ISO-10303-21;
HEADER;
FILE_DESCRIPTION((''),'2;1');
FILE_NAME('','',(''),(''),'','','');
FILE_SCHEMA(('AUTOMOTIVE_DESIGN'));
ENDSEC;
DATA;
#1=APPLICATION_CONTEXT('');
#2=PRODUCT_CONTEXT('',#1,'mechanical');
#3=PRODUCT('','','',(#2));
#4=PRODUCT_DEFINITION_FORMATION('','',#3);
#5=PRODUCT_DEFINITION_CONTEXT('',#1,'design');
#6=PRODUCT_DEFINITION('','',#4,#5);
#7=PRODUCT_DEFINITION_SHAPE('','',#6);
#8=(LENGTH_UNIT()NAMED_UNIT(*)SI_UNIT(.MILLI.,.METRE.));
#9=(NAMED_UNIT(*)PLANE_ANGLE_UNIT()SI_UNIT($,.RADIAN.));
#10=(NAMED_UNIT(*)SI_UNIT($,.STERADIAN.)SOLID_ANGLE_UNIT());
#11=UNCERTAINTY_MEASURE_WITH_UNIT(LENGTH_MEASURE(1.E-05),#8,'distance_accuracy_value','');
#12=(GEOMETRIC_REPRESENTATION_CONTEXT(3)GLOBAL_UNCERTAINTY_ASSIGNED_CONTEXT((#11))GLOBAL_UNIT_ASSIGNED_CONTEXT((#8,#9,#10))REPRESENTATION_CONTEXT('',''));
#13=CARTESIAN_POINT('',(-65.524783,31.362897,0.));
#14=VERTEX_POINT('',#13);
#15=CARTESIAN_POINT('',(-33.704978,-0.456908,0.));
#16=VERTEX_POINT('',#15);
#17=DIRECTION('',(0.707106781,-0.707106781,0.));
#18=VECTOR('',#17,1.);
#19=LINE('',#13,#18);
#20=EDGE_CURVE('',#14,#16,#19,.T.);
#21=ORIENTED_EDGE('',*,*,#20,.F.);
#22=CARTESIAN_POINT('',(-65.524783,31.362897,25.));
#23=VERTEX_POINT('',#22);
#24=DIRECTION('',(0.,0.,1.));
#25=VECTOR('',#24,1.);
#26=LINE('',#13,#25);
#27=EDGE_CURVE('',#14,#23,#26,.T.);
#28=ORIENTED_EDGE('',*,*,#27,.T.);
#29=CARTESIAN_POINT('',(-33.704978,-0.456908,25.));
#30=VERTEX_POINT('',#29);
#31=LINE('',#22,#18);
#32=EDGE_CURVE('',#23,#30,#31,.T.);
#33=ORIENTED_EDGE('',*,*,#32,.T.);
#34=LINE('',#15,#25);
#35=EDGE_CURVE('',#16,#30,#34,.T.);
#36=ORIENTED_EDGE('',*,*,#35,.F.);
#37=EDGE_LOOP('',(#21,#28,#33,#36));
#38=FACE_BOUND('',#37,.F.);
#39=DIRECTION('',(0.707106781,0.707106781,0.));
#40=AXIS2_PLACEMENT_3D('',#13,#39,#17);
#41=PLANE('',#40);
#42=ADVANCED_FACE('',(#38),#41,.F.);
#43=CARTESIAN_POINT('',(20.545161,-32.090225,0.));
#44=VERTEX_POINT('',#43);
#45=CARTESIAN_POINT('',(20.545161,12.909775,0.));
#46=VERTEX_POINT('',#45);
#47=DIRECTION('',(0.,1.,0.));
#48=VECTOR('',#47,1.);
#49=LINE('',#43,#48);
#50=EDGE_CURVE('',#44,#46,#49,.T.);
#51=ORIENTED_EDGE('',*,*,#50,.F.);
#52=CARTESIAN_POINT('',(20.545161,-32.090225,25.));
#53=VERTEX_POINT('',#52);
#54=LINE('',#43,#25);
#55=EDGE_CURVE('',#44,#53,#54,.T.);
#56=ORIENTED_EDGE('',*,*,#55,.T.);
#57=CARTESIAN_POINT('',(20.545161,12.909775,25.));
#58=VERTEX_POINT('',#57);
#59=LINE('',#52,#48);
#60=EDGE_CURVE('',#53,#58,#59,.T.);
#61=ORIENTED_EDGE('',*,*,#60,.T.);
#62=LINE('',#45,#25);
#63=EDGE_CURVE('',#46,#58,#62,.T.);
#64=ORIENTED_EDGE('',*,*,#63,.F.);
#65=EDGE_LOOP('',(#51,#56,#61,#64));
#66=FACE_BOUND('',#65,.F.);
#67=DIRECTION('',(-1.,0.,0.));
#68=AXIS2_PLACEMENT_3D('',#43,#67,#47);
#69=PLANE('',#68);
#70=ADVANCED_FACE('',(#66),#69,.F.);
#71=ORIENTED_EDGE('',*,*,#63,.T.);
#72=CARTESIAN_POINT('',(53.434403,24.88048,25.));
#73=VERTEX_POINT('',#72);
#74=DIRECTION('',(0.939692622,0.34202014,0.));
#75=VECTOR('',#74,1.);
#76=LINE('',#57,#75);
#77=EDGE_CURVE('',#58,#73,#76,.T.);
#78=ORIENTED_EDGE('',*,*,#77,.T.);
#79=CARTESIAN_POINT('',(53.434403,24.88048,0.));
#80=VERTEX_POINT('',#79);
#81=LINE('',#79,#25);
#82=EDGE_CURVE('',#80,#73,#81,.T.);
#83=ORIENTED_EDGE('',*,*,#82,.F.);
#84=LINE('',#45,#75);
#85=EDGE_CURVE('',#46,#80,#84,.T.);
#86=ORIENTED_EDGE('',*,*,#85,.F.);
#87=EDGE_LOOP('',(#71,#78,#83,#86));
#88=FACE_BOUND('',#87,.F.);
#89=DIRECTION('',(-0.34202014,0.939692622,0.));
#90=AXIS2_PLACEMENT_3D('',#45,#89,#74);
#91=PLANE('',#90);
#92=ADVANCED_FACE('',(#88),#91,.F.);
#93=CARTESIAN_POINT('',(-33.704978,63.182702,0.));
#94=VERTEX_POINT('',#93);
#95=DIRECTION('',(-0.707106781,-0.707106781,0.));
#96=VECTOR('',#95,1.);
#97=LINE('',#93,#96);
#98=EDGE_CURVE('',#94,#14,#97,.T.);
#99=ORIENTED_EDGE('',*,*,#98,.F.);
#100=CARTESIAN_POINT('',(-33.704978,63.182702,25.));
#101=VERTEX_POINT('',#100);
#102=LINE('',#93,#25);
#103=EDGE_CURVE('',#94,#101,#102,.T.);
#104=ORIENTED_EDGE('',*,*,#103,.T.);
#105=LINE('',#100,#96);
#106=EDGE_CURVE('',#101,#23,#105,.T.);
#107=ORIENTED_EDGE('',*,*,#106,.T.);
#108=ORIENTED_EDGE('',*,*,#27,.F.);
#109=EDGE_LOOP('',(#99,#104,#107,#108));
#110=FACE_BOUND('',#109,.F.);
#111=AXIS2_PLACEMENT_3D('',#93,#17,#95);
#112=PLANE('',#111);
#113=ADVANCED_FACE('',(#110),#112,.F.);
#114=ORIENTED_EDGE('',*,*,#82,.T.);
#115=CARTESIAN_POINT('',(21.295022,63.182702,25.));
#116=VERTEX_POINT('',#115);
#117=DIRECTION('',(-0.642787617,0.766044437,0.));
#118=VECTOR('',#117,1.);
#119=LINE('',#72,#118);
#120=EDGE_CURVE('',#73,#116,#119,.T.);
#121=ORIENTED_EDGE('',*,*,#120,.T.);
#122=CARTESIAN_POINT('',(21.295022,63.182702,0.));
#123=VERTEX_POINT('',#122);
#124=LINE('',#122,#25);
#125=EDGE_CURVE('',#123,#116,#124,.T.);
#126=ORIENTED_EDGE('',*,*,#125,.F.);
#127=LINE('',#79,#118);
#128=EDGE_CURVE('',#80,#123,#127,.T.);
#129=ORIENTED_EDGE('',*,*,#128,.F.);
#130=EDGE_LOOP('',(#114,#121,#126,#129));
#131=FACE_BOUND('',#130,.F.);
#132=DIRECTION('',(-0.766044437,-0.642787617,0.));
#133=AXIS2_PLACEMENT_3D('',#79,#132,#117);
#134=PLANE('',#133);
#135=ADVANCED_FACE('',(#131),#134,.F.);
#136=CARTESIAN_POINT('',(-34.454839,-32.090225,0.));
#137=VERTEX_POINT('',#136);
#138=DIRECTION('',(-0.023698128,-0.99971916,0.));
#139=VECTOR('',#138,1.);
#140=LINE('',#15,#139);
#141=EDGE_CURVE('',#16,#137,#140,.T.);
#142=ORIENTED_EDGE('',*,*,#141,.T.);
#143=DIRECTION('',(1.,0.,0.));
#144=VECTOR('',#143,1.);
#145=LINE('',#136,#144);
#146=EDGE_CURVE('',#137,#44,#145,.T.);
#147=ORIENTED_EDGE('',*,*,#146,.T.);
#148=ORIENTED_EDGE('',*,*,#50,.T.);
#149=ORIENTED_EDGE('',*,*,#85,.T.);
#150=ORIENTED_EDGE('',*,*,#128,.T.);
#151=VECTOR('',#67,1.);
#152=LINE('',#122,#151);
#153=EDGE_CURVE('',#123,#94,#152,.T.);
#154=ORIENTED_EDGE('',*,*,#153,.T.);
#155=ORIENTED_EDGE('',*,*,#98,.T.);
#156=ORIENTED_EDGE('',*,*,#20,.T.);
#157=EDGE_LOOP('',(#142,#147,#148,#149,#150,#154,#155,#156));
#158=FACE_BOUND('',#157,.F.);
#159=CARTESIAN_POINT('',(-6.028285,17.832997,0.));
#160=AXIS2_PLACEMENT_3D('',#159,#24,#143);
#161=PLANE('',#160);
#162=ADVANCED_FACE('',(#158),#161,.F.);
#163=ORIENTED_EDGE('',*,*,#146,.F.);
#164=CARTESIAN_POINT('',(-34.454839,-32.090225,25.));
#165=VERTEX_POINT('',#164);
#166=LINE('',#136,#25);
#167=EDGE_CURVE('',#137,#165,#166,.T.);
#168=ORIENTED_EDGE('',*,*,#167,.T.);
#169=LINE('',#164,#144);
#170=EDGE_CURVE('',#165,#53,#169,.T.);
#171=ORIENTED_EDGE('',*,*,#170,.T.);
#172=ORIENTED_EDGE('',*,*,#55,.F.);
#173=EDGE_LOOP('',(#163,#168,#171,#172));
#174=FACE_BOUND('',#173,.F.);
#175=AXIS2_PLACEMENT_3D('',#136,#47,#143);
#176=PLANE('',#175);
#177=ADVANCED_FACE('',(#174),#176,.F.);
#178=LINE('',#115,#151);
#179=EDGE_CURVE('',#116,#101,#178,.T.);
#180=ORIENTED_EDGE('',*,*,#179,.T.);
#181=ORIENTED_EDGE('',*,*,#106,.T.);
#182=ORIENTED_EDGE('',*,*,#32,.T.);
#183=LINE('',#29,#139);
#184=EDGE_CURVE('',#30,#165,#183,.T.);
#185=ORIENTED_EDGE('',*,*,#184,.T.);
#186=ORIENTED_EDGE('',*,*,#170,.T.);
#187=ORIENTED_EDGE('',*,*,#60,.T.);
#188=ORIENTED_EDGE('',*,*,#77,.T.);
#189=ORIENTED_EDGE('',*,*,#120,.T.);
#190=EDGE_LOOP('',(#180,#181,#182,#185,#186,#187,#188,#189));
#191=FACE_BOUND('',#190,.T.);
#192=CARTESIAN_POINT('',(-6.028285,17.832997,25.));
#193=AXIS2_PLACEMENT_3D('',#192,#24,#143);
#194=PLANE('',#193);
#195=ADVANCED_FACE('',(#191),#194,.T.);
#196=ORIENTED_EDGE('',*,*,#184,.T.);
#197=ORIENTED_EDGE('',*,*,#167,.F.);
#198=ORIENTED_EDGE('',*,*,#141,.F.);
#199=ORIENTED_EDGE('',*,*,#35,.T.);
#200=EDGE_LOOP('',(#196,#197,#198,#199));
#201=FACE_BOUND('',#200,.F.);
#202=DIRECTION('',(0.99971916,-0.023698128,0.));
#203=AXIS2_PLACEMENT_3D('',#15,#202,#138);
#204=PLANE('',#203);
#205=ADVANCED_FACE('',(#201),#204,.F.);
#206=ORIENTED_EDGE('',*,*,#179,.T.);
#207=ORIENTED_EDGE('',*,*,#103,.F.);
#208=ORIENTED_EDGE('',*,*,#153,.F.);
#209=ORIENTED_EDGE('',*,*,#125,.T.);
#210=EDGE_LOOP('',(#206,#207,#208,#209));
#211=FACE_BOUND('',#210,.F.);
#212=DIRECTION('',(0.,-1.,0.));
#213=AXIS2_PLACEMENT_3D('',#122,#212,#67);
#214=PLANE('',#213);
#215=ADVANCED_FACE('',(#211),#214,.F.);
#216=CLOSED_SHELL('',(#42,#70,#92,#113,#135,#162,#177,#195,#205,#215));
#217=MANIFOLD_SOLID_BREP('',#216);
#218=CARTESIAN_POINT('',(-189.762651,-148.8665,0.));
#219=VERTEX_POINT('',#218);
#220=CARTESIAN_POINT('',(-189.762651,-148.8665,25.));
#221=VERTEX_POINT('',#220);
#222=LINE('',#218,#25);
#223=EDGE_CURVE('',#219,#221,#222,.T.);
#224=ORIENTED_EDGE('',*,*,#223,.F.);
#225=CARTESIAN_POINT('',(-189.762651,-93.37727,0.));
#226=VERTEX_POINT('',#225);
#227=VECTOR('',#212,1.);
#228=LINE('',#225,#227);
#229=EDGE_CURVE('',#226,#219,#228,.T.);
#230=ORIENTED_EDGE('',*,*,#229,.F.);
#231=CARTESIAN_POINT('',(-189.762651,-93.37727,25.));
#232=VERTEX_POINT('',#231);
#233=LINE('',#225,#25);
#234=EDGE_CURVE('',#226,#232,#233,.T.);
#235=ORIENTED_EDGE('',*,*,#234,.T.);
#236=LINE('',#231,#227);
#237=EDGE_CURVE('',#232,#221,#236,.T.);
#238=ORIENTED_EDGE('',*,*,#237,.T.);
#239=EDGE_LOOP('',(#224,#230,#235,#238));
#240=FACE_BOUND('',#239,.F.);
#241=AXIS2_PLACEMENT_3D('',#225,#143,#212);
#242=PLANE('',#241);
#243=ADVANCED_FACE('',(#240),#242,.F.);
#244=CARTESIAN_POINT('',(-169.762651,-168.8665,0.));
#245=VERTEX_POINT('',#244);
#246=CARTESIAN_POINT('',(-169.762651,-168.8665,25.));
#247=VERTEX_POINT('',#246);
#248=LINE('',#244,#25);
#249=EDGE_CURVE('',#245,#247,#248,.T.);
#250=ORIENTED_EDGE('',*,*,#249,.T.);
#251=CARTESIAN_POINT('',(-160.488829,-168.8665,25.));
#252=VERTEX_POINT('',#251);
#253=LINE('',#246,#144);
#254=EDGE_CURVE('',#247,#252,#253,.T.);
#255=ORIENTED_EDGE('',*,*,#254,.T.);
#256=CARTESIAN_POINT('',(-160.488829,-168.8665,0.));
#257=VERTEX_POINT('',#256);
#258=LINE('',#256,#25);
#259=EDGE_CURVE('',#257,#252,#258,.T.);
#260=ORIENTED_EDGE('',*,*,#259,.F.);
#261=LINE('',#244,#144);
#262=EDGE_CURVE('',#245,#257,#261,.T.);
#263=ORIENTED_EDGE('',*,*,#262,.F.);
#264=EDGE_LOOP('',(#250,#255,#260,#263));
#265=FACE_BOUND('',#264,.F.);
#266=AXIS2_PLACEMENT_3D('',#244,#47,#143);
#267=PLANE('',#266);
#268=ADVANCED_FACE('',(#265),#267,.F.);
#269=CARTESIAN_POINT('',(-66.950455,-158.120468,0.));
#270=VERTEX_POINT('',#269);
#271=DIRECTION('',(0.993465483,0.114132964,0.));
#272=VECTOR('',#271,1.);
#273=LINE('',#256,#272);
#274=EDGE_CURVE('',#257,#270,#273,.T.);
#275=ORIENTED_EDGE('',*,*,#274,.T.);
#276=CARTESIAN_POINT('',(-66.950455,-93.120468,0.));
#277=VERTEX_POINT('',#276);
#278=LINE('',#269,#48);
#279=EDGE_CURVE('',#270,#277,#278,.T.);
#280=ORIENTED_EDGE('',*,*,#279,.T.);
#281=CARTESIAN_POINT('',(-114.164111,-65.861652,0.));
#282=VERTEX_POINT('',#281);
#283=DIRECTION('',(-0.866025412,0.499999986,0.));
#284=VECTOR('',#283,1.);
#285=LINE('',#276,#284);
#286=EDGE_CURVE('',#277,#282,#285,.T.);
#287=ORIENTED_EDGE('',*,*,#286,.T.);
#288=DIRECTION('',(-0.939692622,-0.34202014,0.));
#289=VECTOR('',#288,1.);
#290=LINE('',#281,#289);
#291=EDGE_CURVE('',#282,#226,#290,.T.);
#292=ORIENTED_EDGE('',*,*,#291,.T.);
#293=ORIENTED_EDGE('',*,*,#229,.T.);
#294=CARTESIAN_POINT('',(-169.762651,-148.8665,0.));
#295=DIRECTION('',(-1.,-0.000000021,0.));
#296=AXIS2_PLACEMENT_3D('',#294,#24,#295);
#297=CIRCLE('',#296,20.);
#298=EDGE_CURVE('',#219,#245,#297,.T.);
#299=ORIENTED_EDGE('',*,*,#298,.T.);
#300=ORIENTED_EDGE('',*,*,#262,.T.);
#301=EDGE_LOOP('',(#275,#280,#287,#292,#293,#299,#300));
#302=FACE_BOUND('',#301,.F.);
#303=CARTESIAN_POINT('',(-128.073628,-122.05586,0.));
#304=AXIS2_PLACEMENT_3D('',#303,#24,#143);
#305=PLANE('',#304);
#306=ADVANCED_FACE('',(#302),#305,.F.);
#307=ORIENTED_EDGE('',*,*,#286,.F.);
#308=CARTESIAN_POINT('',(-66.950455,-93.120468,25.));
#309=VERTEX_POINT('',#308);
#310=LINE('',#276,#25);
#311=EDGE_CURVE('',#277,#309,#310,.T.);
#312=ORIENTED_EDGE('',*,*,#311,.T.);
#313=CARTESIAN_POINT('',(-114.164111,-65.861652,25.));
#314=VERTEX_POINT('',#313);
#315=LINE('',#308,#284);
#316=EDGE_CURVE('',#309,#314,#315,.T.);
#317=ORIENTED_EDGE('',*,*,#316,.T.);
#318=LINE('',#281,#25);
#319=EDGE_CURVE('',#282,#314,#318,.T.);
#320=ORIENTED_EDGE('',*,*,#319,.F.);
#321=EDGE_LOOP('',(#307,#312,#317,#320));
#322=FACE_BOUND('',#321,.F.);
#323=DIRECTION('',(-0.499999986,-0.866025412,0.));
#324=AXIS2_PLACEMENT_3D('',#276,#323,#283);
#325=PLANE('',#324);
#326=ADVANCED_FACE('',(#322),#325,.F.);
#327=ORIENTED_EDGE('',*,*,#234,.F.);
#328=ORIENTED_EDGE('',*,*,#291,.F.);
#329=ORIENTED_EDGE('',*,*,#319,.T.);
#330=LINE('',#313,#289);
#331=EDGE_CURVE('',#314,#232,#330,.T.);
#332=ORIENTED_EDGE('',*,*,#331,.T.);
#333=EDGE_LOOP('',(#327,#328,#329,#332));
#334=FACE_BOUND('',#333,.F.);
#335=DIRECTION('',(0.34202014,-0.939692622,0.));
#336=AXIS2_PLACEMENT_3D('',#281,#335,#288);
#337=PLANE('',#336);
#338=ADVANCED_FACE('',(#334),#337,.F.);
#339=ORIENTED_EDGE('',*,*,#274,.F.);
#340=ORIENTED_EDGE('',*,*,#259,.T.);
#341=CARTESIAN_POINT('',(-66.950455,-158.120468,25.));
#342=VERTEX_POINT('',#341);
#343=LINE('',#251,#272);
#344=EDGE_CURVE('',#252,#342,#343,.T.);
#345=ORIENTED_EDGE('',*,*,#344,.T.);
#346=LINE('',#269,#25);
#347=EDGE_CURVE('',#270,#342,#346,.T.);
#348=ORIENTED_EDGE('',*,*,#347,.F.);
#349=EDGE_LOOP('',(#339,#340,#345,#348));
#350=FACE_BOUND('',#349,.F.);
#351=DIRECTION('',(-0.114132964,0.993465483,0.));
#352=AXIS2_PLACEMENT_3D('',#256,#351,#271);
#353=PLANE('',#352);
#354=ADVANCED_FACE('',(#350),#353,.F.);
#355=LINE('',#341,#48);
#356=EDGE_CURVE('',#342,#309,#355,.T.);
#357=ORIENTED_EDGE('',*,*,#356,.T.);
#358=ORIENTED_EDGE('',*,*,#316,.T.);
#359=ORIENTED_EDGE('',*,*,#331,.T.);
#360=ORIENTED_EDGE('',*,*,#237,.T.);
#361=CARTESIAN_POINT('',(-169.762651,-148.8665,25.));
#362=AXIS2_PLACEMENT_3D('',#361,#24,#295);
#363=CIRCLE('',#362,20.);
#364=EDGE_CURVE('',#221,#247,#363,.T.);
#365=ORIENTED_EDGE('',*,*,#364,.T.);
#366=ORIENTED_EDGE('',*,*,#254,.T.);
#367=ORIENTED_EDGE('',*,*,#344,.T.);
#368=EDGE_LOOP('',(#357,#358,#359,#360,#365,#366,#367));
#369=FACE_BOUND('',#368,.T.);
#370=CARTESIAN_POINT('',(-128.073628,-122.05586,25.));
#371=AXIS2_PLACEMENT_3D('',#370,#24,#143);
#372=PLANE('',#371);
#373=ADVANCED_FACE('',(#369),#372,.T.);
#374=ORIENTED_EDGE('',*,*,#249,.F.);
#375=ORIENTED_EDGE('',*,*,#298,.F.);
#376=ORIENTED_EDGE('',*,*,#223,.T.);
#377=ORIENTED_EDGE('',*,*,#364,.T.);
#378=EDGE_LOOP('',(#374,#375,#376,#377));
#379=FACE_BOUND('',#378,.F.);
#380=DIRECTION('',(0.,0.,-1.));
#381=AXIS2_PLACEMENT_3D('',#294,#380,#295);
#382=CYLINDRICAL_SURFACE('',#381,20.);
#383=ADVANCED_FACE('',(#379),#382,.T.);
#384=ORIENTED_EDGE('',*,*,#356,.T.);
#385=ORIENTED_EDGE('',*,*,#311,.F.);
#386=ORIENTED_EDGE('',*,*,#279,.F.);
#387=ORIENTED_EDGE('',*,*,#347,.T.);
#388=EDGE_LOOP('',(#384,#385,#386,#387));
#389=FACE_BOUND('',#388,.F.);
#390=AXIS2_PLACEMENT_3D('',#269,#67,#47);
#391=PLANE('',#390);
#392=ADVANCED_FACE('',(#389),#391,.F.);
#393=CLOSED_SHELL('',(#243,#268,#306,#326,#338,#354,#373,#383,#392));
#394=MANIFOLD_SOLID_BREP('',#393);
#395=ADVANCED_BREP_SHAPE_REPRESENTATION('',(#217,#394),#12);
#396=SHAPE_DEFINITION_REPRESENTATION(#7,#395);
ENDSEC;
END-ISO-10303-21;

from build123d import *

# Parameters (mm, degrees)
F1_DEPTH = 25
F2_DEPTH = 25


with BuildPart() as f1:
    # F0 (on Top) → F1 (new body)
    with BuildSketch(Plane.XY):
        Polygon((-33.704978, -0.456908), (-34.454839, -32.090225), (20.545161, -32.090225), (20.545161, 12.909775), (53.434403, 24.88048), (21.295022, 63.182702), (-33.704978, 63.182702), (-65.524783, 31.362897), align=None)
    extrude(amount=F1_DEPTH)


with BuildPart() as f2:
    # F0 (on Top) → F2 (new body)
    with BuildSketch(Plane.XY):
        with BuildLine():
            Line((-66.950455, -158.120468), (-66.950455, -93.120468))
            Line((-66.950455, -93.120468), (-114.164111, -65.861652))
            Line((-114.164111, -65.861652), (-189.762651, -93.37727))
            Line((-189.762651, -93.37727), (-189.762651, -148.8665))
            ThreePointArc((-189.762651, -148.8665), (-183.904786, -163.008636), (-169.762651, -168.8665))
            Line((-169.762651, -168.8665), (-160.488829, -168.8665))
            Line((-160.488829, -168.8665), (-66.950455, -158.120468))
        make_face()
    extrude(amount=F2_DEPTH)


solid = Compound([f1.part, f2.part])
